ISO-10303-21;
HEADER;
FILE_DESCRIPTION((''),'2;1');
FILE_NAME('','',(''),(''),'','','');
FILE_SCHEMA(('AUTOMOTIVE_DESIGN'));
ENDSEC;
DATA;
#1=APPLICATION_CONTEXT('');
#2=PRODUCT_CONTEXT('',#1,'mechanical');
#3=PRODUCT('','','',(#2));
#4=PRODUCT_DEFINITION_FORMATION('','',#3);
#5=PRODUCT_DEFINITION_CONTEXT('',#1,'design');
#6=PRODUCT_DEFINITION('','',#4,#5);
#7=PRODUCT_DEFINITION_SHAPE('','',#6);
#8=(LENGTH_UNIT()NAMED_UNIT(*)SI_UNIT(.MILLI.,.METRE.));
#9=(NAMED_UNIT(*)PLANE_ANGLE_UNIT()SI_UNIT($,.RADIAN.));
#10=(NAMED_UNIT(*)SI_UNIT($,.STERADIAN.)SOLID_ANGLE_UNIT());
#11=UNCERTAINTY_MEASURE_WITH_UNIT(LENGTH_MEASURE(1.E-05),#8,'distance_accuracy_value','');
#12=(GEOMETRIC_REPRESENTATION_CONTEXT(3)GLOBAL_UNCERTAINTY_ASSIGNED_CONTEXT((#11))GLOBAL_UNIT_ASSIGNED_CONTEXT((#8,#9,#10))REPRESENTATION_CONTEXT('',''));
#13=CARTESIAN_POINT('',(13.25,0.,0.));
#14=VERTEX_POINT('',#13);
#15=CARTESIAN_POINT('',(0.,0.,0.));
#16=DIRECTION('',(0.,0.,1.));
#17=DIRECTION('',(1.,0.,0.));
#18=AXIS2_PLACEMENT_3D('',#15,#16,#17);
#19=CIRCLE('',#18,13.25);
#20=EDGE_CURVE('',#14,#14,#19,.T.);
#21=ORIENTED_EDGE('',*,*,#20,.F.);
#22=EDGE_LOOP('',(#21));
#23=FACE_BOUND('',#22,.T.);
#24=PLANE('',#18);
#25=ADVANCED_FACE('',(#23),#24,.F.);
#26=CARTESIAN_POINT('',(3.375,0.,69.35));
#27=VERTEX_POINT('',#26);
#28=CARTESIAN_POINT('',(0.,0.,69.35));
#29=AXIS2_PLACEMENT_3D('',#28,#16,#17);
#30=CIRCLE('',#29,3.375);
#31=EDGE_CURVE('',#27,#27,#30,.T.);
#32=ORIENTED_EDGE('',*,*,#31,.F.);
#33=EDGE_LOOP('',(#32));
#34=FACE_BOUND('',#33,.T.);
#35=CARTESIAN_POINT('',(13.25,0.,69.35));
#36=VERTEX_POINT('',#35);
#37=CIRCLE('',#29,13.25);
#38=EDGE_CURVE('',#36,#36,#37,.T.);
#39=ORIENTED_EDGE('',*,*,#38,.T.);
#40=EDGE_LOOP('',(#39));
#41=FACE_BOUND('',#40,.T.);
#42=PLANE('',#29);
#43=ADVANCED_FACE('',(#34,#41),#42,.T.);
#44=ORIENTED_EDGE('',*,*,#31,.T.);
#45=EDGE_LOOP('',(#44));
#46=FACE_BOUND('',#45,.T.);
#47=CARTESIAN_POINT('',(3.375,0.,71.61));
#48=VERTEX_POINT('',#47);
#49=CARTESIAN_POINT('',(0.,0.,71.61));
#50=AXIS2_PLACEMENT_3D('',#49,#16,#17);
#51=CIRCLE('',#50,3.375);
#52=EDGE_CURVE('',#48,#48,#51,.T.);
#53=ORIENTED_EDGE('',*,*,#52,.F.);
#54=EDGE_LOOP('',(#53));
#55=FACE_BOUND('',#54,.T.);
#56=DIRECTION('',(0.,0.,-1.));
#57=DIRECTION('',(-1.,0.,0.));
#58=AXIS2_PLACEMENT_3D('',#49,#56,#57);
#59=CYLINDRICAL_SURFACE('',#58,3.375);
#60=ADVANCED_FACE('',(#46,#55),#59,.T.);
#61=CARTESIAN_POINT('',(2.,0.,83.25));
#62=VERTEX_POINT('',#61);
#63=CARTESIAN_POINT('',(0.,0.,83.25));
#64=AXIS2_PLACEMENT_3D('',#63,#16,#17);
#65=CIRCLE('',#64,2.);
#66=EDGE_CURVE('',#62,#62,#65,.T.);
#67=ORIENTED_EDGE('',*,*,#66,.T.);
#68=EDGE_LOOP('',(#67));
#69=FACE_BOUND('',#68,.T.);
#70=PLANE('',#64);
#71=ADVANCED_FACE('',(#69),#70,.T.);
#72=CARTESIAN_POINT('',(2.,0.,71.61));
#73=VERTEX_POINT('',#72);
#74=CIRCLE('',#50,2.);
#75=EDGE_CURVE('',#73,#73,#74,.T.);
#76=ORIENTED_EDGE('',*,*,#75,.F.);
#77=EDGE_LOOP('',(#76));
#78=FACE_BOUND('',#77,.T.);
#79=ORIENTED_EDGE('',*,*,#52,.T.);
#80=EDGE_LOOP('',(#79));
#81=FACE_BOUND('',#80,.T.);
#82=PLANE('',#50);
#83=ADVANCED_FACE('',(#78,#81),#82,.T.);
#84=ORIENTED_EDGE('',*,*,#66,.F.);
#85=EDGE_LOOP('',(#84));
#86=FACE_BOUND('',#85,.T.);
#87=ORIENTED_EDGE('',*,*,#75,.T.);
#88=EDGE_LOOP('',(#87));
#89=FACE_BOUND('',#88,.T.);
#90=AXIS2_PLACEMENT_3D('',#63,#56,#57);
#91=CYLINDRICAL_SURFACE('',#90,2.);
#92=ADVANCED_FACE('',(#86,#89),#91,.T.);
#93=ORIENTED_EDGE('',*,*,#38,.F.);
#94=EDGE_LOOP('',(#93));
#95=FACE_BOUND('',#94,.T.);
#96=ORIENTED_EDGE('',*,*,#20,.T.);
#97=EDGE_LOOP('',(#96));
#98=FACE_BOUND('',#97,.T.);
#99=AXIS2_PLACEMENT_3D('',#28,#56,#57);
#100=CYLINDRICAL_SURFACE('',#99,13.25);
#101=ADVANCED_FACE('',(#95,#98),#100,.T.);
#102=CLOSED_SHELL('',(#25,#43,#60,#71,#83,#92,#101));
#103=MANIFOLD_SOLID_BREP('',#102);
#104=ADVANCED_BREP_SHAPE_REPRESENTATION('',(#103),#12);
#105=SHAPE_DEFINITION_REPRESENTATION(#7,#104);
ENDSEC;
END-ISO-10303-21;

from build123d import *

# Parameters (mm, degrees)
SKETCH1_R           = 13.25
BOSS_EXTRUDE1_DEPTH = 69.35
SKETCH2_R           = 3.375
BOSS_EXTRUDE2_DEPTH = 2.26
SKETCH3_R           = 2
BOSS_EXTRUDE3_DEPTH = 11.64


with BuildPart() as part:
    # Sketch1 → Boss-Extrude1 (new body)
    with BuildSketch(Plane.XY):
        Circle(SKETCH1_R)
    extrude(amount=BOSS_EXTRUDE1_DEPTH)

    # Sketch2 → Boss-Extrude2 (add)
    with BuildSketch(Plane.XY.offset(69.35)):
        Circle(SKETCH2_R)
    extrude(amount=BOSS_EXTRUDE2_DEPTH)

    # Sketch3 → Boss-Extrude3 (add)
    with BuildSketch(Plane.XY.offset(71.61)):
        Circle(SKETCH3_R)
    extrude(amount=BOSS_EXTRUDE3_DEPTH)


solid = part.part
